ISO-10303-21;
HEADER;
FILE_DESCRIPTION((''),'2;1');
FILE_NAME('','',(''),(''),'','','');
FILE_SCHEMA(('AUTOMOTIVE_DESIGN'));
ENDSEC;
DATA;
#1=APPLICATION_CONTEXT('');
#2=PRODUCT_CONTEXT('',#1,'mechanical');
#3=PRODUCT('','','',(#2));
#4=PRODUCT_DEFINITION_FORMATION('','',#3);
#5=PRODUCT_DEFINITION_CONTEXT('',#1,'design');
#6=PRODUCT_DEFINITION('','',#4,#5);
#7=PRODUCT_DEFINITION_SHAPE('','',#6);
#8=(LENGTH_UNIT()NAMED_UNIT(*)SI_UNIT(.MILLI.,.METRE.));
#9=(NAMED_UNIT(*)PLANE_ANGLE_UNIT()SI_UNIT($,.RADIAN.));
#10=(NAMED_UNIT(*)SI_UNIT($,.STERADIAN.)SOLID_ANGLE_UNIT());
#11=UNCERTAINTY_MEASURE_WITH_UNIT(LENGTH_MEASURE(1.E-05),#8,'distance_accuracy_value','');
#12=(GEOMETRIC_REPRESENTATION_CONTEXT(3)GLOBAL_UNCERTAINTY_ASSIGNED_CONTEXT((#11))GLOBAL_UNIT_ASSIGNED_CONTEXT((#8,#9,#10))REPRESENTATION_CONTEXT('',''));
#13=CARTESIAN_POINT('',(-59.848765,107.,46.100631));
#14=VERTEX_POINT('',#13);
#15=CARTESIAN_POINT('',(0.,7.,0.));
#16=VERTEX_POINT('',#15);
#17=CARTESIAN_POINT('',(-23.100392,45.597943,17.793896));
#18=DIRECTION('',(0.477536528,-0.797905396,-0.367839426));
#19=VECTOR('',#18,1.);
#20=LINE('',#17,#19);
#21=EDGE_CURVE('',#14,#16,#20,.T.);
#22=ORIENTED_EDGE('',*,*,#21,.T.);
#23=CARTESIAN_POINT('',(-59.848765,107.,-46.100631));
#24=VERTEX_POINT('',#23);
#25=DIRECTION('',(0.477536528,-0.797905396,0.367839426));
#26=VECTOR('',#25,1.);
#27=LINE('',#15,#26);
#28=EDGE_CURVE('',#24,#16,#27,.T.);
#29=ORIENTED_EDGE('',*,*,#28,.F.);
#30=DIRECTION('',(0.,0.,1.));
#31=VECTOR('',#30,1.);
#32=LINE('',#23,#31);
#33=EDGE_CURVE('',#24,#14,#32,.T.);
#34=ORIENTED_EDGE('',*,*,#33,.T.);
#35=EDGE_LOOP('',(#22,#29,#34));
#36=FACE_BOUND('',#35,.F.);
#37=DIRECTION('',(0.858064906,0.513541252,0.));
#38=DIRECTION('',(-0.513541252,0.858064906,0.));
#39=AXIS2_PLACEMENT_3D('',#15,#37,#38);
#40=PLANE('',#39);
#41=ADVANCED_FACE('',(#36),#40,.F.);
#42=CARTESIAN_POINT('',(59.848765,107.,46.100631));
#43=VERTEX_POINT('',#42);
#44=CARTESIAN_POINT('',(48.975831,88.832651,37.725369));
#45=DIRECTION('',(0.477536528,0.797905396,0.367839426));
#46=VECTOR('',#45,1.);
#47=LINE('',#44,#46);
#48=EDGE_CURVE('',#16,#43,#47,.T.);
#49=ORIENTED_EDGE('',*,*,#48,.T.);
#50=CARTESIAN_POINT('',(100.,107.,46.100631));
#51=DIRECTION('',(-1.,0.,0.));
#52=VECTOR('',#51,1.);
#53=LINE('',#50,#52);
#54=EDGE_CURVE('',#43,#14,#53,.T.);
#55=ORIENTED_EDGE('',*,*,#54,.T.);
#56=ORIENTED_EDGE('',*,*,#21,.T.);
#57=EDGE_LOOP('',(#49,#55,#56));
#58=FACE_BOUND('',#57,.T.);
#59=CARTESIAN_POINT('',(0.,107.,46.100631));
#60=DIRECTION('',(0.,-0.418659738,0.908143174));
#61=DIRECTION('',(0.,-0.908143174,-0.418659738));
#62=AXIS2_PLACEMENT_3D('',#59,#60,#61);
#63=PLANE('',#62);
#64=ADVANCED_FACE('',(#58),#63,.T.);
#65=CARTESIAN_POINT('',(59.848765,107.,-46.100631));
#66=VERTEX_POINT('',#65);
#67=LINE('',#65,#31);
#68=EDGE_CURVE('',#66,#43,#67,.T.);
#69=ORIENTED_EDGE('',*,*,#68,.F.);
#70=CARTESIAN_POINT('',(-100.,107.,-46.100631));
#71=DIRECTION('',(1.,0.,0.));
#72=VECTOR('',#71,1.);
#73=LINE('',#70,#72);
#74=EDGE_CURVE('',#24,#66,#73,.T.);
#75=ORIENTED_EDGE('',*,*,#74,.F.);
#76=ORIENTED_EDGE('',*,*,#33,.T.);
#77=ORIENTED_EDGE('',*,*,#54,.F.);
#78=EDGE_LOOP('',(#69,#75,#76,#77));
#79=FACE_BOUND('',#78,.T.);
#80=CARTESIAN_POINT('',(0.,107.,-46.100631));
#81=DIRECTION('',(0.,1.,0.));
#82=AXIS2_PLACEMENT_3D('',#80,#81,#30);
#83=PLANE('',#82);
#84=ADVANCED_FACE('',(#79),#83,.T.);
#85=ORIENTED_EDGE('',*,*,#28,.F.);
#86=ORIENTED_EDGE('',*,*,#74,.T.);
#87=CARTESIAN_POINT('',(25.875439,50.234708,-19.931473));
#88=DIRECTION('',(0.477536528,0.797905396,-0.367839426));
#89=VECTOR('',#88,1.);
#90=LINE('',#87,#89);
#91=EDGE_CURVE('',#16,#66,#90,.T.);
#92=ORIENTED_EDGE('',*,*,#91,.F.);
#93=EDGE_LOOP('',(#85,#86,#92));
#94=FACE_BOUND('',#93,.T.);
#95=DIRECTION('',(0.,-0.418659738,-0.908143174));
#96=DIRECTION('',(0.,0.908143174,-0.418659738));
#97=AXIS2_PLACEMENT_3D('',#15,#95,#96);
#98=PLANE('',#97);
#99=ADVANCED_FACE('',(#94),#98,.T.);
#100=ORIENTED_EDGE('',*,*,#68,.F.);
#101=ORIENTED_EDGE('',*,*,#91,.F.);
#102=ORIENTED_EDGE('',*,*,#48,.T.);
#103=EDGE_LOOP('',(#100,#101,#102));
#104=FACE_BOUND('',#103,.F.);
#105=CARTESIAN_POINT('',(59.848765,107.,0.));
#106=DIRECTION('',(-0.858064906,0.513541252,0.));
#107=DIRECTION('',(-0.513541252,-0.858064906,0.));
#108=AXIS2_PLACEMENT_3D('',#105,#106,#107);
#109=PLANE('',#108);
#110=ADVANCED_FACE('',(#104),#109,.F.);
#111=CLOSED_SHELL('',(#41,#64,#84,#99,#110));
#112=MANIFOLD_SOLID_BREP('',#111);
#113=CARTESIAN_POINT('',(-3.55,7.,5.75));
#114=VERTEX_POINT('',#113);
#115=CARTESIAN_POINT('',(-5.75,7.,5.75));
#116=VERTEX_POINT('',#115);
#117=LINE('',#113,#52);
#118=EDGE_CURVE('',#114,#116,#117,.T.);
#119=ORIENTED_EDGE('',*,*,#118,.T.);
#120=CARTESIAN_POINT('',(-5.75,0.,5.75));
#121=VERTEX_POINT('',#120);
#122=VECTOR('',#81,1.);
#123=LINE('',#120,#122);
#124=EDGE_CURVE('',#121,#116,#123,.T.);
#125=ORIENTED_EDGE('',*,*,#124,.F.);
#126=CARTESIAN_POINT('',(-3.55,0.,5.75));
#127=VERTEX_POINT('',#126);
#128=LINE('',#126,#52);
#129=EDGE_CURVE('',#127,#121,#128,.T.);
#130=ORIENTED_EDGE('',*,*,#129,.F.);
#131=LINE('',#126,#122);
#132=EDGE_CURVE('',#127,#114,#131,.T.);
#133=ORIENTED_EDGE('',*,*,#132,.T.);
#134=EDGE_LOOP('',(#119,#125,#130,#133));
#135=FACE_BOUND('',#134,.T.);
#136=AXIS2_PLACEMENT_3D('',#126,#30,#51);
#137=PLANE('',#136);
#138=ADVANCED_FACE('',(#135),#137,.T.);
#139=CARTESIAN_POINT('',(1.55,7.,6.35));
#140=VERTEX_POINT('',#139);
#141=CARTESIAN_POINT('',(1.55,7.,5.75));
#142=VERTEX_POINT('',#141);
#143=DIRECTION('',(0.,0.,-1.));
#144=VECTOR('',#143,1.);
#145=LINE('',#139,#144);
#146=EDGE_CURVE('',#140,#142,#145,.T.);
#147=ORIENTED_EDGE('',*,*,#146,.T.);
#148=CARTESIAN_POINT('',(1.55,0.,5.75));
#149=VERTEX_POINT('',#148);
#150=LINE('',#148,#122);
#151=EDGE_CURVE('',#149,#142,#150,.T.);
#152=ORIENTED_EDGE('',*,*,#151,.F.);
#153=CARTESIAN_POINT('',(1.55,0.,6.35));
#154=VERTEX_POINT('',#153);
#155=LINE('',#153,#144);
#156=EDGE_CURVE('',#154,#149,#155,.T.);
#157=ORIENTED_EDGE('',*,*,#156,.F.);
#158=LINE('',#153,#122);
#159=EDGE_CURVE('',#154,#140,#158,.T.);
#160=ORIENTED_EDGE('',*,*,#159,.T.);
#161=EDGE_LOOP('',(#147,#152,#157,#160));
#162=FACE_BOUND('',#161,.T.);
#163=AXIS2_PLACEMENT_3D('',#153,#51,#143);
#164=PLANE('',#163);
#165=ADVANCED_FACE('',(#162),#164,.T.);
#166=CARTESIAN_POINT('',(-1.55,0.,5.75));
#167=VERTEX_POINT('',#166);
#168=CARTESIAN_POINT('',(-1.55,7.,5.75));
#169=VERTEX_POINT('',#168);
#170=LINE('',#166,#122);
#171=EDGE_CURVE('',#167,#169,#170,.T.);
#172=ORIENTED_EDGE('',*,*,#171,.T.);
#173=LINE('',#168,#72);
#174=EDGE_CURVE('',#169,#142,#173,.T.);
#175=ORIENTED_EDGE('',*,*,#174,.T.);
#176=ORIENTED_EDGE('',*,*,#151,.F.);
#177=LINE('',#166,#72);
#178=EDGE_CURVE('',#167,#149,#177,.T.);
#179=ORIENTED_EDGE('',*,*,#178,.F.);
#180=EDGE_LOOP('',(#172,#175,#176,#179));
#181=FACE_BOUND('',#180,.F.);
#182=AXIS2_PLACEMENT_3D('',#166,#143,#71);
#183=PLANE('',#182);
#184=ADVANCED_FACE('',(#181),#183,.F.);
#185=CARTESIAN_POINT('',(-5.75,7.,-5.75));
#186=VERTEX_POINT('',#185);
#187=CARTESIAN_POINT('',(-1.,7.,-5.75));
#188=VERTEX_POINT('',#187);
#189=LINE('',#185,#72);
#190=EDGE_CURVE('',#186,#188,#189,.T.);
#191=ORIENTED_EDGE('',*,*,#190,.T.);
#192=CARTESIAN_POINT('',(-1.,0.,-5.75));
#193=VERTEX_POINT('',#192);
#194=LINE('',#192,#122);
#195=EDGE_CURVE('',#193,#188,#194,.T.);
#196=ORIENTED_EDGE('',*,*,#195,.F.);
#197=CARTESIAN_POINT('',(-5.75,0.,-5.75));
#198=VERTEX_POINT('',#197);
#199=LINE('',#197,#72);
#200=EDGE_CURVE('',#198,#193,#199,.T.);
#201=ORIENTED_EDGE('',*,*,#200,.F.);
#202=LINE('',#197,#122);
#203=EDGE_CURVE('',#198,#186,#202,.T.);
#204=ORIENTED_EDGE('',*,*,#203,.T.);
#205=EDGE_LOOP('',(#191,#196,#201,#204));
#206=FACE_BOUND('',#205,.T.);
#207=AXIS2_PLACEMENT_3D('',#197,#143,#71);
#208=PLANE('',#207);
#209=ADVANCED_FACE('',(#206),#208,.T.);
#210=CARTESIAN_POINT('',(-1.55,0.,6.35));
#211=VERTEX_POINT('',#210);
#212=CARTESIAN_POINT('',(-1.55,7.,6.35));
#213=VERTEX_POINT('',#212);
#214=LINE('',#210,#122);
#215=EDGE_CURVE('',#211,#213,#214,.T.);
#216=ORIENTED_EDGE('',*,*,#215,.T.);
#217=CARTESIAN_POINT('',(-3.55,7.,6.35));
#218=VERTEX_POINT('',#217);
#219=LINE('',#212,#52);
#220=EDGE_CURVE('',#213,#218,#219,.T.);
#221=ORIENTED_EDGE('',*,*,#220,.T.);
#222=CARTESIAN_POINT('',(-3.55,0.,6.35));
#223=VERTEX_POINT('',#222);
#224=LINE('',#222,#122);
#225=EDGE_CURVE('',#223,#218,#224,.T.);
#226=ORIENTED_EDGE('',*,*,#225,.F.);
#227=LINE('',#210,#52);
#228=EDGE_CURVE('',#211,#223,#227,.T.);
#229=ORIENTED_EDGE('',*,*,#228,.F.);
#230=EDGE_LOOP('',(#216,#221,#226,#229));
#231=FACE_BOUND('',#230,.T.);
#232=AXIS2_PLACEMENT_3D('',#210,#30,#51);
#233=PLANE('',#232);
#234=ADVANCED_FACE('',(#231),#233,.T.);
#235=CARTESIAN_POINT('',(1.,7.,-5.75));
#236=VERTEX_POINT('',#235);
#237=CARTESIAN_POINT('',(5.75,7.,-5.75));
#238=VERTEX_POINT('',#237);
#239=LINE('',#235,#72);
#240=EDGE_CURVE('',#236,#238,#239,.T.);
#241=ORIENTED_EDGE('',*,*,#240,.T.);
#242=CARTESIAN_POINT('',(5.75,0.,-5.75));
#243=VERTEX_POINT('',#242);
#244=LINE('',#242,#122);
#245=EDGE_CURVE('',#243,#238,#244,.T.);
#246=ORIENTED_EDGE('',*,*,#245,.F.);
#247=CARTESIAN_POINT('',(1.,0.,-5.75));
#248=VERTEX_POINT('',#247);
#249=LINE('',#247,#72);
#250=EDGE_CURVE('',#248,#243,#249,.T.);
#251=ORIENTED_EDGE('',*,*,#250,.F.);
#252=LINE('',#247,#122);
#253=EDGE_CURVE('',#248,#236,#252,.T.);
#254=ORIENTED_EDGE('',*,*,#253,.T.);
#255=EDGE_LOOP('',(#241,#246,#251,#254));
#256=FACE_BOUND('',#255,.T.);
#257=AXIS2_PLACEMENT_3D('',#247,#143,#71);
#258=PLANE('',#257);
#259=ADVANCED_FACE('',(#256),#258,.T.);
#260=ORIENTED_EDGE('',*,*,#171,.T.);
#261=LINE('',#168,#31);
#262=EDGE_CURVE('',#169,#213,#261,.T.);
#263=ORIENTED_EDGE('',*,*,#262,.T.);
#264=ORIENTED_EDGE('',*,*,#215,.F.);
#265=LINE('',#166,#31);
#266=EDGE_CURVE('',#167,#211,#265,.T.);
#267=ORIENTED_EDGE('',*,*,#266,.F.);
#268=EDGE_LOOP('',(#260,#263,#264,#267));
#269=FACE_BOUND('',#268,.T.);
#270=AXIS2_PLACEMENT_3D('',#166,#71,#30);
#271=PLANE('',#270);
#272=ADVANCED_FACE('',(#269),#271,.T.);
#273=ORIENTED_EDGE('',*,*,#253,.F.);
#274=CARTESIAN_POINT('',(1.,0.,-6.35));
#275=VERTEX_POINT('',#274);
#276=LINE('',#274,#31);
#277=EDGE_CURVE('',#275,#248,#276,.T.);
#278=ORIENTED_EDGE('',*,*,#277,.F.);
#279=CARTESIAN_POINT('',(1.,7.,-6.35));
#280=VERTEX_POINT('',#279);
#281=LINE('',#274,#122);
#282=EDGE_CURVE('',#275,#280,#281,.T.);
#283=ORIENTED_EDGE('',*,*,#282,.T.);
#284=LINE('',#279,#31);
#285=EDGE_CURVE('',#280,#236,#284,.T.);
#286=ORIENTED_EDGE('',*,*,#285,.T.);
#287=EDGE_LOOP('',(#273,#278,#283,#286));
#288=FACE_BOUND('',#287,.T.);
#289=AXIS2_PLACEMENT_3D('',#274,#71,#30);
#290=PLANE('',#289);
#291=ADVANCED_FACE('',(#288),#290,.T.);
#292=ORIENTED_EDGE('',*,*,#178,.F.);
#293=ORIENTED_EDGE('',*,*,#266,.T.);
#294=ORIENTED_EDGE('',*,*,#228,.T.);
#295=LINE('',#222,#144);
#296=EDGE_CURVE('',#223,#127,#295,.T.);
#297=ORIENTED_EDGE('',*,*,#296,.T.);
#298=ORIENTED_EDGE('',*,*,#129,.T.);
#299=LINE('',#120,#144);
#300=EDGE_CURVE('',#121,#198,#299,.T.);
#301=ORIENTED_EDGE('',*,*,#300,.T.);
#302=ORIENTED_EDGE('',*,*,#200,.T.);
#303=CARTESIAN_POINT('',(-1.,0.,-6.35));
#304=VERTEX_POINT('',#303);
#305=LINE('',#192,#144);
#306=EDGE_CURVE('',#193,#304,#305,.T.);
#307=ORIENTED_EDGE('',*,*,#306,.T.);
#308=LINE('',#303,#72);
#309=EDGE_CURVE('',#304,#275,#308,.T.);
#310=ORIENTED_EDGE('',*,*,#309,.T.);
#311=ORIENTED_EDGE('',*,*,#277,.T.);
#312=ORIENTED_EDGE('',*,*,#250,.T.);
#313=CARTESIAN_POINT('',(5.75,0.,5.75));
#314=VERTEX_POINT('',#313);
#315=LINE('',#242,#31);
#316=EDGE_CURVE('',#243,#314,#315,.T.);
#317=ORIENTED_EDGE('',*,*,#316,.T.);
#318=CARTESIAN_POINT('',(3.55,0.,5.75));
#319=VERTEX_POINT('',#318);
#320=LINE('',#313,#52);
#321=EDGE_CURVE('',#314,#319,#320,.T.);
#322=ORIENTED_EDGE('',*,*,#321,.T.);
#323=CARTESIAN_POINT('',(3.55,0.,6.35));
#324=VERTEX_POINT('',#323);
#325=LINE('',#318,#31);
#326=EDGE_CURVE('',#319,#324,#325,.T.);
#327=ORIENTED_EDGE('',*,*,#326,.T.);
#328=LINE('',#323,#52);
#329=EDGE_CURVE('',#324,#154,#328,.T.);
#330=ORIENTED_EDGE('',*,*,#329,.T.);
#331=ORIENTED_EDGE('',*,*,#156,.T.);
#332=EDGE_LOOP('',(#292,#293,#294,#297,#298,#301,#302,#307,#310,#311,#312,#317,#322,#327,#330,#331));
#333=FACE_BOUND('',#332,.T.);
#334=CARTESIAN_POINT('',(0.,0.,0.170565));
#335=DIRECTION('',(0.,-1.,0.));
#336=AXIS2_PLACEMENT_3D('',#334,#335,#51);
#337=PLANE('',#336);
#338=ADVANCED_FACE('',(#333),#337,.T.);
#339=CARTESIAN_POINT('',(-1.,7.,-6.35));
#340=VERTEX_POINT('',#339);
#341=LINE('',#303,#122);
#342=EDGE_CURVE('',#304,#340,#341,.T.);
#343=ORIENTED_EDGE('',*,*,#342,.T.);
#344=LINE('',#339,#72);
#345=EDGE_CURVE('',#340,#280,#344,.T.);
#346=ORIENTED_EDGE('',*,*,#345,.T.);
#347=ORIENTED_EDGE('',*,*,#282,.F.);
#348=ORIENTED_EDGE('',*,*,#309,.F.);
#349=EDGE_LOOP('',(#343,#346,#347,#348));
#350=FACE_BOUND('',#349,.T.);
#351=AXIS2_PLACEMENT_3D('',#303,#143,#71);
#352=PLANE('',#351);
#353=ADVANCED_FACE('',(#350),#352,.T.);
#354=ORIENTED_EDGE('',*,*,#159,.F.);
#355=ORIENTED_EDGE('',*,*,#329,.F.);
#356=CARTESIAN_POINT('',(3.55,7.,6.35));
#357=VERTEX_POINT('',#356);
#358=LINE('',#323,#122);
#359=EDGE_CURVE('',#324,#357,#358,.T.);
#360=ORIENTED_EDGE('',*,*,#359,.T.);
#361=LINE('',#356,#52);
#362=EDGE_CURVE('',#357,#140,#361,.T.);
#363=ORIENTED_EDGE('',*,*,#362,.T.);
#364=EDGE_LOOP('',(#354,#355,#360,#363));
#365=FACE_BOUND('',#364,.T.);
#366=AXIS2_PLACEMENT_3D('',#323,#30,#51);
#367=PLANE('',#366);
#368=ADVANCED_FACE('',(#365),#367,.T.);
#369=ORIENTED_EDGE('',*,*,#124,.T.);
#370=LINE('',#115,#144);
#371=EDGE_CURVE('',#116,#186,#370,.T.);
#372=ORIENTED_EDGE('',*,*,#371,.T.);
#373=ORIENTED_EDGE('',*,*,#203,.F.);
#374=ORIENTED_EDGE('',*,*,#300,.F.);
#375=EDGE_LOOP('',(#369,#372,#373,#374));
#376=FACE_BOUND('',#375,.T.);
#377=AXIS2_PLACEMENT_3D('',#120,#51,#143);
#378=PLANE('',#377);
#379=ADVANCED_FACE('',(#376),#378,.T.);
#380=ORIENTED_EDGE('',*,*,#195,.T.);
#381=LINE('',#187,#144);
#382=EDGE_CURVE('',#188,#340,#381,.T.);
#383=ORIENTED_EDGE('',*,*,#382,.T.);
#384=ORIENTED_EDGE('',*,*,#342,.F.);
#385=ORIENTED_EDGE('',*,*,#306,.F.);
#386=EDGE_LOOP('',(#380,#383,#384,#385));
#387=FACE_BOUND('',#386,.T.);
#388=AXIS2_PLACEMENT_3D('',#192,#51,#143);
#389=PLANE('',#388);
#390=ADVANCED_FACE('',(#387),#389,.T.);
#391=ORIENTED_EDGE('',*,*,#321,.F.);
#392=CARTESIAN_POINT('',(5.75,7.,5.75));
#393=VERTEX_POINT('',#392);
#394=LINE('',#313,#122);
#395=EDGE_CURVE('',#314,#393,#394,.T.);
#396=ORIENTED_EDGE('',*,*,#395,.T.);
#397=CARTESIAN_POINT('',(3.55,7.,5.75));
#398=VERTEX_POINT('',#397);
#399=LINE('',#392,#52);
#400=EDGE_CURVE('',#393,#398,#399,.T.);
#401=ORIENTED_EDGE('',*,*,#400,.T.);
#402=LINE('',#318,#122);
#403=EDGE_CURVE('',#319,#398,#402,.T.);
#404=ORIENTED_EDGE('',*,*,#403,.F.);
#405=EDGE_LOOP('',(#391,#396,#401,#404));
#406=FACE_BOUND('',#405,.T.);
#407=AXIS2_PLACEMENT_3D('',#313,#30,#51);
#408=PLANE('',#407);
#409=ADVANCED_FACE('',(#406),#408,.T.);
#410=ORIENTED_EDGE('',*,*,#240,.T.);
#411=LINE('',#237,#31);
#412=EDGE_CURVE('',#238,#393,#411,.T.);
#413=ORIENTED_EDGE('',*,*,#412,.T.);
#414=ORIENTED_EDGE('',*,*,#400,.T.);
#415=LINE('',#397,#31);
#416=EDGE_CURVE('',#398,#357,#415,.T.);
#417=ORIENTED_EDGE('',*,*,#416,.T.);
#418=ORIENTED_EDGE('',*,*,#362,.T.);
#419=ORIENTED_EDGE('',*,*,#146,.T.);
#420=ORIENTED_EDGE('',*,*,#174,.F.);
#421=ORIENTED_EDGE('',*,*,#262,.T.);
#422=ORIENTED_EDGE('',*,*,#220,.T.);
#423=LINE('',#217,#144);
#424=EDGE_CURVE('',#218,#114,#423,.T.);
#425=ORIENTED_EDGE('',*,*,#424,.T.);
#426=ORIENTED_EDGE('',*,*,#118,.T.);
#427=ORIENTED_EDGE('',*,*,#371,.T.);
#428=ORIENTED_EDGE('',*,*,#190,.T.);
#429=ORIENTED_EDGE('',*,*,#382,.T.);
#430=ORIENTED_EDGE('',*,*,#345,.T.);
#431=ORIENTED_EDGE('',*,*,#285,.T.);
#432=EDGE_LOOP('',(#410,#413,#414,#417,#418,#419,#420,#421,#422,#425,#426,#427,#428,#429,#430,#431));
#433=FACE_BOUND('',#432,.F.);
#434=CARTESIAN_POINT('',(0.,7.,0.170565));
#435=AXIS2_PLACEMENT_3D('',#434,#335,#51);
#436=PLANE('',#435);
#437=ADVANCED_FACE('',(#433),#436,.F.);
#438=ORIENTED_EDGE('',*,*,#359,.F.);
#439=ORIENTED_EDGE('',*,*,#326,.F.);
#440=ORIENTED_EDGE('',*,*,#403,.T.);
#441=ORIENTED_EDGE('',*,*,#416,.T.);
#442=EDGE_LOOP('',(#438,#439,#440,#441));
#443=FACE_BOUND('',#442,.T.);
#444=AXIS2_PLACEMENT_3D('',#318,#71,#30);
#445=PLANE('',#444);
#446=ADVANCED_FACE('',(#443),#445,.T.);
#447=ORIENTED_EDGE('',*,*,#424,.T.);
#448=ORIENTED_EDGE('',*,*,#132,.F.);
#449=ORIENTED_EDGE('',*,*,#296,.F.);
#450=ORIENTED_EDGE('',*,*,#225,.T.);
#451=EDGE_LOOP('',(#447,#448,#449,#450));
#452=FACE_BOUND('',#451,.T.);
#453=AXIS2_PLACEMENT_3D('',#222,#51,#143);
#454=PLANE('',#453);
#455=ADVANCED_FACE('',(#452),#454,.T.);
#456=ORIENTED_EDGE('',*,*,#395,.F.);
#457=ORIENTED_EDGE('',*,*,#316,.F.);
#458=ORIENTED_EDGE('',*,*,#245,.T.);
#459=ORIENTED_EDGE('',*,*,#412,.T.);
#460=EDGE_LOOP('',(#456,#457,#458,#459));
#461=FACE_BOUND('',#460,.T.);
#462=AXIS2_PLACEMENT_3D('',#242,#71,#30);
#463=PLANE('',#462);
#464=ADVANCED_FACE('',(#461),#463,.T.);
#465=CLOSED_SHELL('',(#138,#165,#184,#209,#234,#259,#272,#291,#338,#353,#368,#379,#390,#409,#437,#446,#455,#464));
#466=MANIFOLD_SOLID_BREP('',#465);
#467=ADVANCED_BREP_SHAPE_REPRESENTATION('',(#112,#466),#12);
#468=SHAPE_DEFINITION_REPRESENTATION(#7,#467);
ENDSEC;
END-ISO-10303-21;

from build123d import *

# Parameters (mm, degrees)
AUFSATZ_LINEAR_AUSTRAGEN1_DEPTH      = 7
AUFSATZ_LINEAR_AUSTRAGEN2_DEPTH      = 100
AUFSATZ_LINEAR_AUSTRAGEN2_DEPTH_BACK = 100
SKIZZE3_OUTSIDE_W                    = 250.97
SKIZZE3_OUTSIDE_H                    = 157.97
SCHNITT_LINEAR_AUSTRAGEN1_DEPTH      = 100
SCHNITT_LINEAR_AUSTRAGEN1_DEPTH_BACK = 100


with BuildPart() as part:
    # Skizze1 → Aufsatz-Linear austragen1 (new body)
    with BuildSketch(Plane(origin=(0, 0, 0), x_dir=(1, 0, 0), z_dir=(0, 1, 0))):
        Polygon((-1, 5.75), (-1, 6.35), (1, 6.35), (1, 5.75), (5.75, 5.75), (5.75, -5.75), (3.55, -5.75), (3.55, -6.35), (1.55, -6.35), (1.55, -5.75), (0, -5.75), (-1.55, -5.75), (-1.55, -6.35), (-3.55, -6.35), (-3.55, -5.75), (-5.75, -5.75), (-5.75, 5.75), align=None)
    extrude(amount=AUFSATZ_LINEAR_AUSTRAGEN1_DEPTH)


with BuildPart() as body_2:
    # Skizze2 → Aufsatz-Linear austragen2 (new body, two sides)
    with BuildSketch(Plane(origin=(0, 0, 0), x_dir=(0, 0, -1), z_dir=(1, 0, 0))) as aufsatz_linear_austragen2_sk:
        Polygon((0, 7), (46.100631443, 107), (-46.100631443, 107), align=None)
    extrude(amount=AUFSATZ_LINEAR_AUSTRAGEN2_DEPTH)
    extrude(aufsatz_linear_austragen2_sk.sketch, amount=-AUFSATZ_LINEAR_AUSTRAGEN2_DEPTH_BACK)

    # Skizze3 outside → Schnitt-Linear austragen1 (cut, two sides)
    with BuildSketch(Plane.XY) as schnitt_linear_austragen1_sk:
        with Locations((0, 53.5)):
            Rectangle(SKIZZE3_OUTSIDE_W, SKIZZE3_OUTSIDE_H)
        Polygon((0, 7), (-59.848765359, 107), (59.848765359, 107), align=None, mode=Mode.SUBTRACT)
    extrude(amount=SCHNITT_LINEAR_AUSTRAGEN1_DEPTH, mode=Mode.SUBTRACT)
    extrude(schnitt_linear_austragen1_sk.sketch, amount=-SCHNITT_LINEAR_AUSTRAGEN1_DEPTH_BACK, mode=Mode.SUBTRACT)


solid = Compound([part.part, body_2.part])
